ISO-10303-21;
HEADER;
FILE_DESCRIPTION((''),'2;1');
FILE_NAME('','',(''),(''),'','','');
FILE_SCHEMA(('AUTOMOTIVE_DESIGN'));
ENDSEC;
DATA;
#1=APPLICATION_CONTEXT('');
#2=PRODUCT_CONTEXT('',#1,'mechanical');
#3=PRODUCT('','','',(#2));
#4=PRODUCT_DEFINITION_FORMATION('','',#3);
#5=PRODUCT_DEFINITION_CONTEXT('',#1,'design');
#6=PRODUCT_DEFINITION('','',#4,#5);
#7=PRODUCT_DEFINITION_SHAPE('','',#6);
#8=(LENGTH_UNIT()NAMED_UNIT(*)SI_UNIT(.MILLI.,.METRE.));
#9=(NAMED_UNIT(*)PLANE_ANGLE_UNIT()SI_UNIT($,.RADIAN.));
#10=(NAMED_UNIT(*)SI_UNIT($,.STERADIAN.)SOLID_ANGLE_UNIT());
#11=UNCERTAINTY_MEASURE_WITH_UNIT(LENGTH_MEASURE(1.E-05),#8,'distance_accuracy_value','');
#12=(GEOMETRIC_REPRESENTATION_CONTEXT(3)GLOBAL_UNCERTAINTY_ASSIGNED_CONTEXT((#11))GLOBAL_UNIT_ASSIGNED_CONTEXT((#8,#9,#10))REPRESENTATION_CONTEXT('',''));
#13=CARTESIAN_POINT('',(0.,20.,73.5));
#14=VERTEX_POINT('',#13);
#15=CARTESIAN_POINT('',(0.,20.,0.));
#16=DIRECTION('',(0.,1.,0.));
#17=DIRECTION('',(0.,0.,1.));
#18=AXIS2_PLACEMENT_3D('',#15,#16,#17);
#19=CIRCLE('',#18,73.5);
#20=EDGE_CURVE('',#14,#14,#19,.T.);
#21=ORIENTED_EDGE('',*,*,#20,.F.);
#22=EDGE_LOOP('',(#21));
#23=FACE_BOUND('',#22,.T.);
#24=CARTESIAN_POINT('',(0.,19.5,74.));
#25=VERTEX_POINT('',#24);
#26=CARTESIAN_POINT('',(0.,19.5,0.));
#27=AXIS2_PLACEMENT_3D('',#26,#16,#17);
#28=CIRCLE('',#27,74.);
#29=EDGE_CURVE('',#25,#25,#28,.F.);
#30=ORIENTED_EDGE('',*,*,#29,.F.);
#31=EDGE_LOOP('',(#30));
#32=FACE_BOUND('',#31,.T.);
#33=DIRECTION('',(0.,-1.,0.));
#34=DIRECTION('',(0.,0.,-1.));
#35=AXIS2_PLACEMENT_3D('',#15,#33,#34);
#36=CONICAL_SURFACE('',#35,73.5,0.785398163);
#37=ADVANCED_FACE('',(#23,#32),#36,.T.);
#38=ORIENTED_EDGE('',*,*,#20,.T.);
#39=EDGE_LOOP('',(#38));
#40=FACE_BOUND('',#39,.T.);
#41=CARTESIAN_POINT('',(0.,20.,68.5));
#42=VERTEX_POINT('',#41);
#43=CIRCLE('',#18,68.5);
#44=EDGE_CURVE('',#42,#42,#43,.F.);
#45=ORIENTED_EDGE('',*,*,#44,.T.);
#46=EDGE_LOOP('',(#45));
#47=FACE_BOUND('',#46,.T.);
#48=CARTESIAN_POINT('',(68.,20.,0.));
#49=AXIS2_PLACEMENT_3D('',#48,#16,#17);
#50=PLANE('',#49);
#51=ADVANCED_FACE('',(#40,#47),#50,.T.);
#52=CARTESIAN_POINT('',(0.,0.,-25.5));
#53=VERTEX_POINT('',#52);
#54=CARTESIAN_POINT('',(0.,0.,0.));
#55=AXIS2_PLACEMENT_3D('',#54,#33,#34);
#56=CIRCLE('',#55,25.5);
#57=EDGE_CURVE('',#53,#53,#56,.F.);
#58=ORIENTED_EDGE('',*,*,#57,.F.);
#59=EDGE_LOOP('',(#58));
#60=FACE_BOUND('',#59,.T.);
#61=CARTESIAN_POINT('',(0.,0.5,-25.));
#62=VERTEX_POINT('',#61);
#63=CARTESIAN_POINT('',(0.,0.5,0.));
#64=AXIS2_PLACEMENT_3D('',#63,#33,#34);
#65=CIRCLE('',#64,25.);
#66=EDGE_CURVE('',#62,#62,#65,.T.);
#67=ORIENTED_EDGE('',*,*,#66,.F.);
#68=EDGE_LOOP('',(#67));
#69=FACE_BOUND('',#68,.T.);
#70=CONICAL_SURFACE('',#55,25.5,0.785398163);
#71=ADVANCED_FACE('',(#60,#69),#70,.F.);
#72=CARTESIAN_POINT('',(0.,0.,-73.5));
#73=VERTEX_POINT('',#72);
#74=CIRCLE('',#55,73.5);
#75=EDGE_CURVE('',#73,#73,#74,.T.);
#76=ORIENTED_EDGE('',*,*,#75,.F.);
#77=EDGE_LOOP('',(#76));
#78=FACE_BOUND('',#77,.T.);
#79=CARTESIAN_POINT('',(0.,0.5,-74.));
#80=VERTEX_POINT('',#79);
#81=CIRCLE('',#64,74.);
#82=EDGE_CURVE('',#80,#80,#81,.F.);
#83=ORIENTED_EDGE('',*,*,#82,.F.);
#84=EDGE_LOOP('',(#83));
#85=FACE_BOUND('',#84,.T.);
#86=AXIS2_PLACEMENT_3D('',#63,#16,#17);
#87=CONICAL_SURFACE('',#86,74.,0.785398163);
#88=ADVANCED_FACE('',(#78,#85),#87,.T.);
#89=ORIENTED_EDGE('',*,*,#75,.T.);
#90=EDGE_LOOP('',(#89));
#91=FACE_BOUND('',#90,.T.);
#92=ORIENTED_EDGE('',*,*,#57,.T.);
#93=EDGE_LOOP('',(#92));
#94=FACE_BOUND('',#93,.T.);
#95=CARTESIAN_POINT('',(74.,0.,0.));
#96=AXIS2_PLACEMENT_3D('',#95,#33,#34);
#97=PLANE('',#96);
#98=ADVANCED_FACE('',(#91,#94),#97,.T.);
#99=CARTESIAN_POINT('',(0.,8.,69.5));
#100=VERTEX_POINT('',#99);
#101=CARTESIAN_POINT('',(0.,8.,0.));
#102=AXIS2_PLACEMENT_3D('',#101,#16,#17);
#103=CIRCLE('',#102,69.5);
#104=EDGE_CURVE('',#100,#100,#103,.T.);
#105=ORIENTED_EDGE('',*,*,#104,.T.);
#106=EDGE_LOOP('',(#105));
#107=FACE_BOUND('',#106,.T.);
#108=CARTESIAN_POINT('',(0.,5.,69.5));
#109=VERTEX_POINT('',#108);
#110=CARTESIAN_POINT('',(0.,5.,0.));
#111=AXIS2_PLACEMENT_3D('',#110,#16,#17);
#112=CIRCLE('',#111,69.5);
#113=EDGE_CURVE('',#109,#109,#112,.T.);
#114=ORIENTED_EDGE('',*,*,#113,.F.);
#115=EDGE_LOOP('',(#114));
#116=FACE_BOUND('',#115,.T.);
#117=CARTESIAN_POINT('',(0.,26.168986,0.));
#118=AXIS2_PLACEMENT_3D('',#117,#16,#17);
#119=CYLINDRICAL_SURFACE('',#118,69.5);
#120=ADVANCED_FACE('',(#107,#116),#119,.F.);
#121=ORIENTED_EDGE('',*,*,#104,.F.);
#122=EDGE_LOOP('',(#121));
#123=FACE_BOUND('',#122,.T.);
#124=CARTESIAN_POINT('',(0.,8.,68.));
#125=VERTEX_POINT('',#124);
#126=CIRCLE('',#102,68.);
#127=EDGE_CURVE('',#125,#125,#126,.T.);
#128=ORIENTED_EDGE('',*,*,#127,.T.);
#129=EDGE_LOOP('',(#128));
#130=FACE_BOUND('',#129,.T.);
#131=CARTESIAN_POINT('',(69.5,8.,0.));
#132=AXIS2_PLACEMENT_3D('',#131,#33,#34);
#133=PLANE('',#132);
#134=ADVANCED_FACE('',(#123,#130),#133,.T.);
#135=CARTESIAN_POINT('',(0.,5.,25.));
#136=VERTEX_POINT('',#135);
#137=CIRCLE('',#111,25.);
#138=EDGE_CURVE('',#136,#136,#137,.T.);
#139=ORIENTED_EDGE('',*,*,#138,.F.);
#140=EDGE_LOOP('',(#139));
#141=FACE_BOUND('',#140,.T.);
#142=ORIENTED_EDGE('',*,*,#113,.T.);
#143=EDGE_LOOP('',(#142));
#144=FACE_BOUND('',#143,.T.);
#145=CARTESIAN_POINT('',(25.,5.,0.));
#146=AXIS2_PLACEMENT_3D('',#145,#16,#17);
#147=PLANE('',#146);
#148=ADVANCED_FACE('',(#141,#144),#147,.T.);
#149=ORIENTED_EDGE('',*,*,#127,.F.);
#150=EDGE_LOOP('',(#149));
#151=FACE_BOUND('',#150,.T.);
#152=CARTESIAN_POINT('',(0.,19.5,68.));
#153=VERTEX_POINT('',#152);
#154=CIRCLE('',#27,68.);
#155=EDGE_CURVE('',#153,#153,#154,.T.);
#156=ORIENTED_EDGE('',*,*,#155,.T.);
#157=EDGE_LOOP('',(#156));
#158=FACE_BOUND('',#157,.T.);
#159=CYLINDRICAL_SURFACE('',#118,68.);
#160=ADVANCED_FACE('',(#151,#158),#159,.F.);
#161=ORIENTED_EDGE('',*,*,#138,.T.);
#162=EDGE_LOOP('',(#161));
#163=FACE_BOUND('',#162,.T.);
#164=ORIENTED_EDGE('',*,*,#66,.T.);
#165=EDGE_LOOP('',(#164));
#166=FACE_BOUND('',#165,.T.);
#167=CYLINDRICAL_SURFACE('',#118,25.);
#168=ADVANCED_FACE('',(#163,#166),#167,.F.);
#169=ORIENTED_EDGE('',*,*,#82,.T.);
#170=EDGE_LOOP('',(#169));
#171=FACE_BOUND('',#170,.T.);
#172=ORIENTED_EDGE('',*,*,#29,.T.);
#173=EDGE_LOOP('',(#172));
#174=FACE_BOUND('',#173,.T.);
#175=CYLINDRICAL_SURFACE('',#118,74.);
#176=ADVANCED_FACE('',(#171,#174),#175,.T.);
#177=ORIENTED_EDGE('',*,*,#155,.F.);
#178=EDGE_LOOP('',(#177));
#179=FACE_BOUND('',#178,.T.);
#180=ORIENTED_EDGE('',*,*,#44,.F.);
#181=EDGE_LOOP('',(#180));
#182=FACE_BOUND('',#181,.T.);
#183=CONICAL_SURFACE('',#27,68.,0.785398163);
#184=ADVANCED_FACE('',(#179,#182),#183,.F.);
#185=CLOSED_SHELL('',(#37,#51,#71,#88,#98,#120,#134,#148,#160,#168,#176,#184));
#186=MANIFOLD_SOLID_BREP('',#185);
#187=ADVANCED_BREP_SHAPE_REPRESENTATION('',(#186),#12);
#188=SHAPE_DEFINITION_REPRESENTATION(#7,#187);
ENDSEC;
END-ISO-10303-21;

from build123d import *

# Parameters (mm, degrees)
CHAMFER_1_SIZE = 0.5


with BuildPart() as part:
    # Эскиз1 → Повернуть1 (revolve)
    with BuildSketch(Plane.XY):
        Polygon((-74, 20), (-74, 0), (-25, 0), (-25, 5), (-69.5, 5), (-69.5, 8), (-68, 8), (-68, 20), align=None)
    revolve(axis=Axis((0, 26.168985987, 0), (0, -1, 0)))

    # Фаска1
    chamfer_1_edges = [part.edges().sort_by_distance(p)[0] for p in [
        (25, 0, 0),
        (74, 0, 0),
        (74, 20, 0),
        (68, 20, 0),
    ]]
    chamfer(chamfer_1_edges, length=CHAMFER_1_SIZE)


solid = part.part
